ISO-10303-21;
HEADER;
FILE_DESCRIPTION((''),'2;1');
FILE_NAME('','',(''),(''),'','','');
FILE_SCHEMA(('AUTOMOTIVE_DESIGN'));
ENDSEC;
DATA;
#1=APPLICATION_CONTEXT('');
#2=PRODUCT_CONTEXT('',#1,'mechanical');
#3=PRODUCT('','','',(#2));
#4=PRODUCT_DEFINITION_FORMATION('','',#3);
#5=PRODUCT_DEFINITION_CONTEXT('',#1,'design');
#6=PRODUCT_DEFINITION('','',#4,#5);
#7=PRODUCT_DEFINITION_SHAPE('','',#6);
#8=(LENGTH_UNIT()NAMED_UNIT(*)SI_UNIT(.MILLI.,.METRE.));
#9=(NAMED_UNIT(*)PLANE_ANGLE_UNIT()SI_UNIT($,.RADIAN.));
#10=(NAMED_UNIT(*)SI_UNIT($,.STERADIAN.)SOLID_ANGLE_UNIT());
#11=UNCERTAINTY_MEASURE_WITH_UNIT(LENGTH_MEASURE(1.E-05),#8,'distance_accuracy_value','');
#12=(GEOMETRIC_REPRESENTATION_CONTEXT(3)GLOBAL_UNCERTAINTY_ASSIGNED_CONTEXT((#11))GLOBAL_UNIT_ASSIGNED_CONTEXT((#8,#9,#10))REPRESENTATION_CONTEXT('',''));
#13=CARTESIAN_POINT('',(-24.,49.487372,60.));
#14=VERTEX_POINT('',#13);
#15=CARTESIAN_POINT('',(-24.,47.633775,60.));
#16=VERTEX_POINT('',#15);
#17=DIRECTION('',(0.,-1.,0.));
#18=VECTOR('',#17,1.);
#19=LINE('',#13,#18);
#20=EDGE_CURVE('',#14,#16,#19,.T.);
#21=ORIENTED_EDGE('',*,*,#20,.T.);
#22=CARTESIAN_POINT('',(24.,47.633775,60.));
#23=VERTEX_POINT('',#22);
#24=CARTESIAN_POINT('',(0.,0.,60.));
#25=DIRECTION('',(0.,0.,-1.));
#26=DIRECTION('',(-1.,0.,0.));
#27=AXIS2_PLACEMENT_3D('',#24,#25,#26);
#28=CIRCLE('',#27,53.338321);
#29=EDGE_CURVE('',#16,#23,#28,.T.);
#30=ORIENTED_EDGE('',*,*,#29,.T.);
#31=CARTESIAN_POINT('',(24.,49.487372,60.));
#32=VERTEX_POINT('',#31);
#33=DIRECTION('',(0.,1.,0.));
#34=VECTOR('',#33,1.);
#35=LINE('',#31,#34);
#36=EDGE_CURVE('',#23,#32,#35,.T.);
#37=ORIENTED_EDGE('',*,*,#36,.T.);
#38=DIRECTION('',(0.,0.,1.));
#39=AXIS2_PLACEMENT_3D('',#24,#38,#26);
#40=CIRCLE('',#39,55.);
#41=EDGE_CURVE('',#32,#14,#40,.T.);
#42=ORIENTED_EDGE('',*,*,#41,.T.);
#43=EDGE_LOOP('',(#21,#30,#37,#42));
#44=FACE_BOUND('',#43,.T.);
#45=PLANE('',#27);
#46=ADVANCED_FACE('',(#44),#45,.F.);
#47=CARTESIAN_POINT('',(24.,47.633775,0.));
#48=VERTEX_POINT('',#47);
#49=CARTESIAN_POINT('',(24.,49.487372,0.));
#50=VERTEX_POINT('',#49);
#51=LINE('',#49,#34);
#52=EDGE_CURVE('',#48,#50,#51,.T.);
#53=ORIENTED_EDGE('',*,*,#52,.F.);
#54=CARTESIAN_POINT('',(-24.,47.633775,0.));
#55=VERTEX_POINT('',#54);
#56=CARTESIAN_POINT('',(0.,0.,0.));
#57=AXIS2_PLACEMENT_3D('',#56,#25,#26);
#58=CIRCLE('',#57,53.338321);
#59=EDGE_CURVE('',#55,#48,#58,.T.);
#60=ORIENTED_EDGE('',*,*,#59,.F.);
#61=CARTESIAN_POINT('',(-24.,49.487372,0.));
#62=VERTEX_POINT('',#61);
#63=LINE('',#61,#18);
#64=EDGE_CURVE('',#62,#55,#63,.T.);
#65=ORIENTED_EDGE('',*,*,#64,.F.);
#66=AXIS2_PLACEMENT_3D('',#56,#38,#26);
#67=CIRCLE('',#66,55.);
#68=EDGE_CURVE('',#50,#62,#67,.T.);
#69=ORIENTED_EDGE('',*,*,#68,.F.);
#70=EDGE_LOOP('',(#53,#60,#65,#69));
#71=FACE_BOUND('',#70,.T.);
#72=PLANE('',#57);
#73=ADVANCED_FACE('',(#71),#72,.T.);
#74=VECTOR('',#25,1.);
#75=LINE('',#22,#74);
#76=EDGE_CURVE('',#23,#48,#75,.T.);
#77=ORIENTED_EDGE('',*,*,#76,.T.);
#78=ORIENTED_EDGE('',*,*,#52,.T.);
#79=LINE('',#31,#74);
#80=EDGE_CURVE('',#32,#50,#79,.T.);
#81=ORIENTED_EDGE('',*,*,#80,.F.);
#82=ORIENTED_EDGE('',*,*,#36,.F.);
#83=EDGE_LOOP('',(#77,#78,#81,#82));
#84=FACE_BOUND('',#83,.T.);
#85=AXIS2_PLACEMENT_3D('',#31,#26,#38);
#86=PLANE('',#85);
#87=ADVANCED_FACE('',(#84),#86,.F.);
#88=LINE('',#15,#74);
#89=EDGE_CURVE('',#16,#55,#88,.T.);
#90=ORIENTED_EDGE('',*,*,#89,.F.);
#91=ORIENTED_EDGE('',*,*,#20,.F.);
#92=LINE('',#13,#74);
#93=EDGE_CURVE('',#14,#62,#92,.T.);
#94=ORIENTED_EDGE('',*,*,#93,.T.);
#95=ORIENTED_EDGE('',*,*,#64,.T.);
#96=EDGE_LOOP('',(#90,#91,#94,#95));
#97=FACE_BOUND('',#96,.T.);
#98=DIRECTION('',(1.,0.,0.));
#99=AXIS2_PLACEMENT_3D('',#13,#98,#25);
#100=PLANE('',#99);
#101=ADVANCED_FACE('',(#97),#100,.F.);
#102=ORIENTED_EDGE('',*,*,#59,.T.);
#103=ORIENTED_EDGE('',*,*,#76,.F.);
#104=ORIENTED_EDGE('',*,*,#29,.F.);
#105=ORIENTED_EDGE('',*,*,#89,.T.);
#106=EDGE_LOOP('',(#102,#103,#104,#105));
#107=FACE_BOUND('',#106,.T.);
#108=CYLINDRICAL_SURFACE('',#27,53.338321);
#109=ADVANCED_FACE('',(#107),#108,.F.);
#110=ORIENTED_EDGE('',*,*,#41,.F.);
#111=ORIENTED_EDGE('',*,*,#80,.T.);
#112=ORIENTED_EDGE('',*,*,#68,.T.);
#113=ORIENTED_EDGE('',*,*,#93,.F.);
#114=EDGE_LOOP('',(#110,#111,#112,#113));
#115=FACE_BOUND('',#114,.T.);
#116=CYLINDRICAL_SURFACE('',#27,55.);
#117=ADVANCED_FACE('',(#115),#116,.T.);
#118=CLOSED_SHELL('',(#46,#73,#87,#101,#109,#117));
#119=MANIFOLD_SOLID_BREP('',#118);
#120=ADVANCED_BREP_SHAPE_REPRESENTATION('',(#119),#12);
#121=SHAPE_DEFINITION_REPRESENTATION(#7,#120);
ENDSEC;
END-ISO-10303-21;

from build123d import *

# Parameters (mm, degrees)
BOSS_EXTRUDE1_DEPTH = 60


with BuildPart() as part:
    # Sketch1 → Boss-Extrude1 (new body)
    with BuildSketch(Plane.XY):
        with BuildLine():
            Line((-24, 49.487372127), (-24, 47.633775095))
            ThreePointArc((-24, 47.633775095), (0, 53.3383214), (24, 47.633775095))
            Line((24, 47.633775095), (24, 49.487372127))
            ThreePointArc((24, 49.487372127), (0, 55), (-24, 49.487372127))
        make_face()
    extrude(amount=BOSS_EXTRUDE1_DEPTH)


solid = part.part
